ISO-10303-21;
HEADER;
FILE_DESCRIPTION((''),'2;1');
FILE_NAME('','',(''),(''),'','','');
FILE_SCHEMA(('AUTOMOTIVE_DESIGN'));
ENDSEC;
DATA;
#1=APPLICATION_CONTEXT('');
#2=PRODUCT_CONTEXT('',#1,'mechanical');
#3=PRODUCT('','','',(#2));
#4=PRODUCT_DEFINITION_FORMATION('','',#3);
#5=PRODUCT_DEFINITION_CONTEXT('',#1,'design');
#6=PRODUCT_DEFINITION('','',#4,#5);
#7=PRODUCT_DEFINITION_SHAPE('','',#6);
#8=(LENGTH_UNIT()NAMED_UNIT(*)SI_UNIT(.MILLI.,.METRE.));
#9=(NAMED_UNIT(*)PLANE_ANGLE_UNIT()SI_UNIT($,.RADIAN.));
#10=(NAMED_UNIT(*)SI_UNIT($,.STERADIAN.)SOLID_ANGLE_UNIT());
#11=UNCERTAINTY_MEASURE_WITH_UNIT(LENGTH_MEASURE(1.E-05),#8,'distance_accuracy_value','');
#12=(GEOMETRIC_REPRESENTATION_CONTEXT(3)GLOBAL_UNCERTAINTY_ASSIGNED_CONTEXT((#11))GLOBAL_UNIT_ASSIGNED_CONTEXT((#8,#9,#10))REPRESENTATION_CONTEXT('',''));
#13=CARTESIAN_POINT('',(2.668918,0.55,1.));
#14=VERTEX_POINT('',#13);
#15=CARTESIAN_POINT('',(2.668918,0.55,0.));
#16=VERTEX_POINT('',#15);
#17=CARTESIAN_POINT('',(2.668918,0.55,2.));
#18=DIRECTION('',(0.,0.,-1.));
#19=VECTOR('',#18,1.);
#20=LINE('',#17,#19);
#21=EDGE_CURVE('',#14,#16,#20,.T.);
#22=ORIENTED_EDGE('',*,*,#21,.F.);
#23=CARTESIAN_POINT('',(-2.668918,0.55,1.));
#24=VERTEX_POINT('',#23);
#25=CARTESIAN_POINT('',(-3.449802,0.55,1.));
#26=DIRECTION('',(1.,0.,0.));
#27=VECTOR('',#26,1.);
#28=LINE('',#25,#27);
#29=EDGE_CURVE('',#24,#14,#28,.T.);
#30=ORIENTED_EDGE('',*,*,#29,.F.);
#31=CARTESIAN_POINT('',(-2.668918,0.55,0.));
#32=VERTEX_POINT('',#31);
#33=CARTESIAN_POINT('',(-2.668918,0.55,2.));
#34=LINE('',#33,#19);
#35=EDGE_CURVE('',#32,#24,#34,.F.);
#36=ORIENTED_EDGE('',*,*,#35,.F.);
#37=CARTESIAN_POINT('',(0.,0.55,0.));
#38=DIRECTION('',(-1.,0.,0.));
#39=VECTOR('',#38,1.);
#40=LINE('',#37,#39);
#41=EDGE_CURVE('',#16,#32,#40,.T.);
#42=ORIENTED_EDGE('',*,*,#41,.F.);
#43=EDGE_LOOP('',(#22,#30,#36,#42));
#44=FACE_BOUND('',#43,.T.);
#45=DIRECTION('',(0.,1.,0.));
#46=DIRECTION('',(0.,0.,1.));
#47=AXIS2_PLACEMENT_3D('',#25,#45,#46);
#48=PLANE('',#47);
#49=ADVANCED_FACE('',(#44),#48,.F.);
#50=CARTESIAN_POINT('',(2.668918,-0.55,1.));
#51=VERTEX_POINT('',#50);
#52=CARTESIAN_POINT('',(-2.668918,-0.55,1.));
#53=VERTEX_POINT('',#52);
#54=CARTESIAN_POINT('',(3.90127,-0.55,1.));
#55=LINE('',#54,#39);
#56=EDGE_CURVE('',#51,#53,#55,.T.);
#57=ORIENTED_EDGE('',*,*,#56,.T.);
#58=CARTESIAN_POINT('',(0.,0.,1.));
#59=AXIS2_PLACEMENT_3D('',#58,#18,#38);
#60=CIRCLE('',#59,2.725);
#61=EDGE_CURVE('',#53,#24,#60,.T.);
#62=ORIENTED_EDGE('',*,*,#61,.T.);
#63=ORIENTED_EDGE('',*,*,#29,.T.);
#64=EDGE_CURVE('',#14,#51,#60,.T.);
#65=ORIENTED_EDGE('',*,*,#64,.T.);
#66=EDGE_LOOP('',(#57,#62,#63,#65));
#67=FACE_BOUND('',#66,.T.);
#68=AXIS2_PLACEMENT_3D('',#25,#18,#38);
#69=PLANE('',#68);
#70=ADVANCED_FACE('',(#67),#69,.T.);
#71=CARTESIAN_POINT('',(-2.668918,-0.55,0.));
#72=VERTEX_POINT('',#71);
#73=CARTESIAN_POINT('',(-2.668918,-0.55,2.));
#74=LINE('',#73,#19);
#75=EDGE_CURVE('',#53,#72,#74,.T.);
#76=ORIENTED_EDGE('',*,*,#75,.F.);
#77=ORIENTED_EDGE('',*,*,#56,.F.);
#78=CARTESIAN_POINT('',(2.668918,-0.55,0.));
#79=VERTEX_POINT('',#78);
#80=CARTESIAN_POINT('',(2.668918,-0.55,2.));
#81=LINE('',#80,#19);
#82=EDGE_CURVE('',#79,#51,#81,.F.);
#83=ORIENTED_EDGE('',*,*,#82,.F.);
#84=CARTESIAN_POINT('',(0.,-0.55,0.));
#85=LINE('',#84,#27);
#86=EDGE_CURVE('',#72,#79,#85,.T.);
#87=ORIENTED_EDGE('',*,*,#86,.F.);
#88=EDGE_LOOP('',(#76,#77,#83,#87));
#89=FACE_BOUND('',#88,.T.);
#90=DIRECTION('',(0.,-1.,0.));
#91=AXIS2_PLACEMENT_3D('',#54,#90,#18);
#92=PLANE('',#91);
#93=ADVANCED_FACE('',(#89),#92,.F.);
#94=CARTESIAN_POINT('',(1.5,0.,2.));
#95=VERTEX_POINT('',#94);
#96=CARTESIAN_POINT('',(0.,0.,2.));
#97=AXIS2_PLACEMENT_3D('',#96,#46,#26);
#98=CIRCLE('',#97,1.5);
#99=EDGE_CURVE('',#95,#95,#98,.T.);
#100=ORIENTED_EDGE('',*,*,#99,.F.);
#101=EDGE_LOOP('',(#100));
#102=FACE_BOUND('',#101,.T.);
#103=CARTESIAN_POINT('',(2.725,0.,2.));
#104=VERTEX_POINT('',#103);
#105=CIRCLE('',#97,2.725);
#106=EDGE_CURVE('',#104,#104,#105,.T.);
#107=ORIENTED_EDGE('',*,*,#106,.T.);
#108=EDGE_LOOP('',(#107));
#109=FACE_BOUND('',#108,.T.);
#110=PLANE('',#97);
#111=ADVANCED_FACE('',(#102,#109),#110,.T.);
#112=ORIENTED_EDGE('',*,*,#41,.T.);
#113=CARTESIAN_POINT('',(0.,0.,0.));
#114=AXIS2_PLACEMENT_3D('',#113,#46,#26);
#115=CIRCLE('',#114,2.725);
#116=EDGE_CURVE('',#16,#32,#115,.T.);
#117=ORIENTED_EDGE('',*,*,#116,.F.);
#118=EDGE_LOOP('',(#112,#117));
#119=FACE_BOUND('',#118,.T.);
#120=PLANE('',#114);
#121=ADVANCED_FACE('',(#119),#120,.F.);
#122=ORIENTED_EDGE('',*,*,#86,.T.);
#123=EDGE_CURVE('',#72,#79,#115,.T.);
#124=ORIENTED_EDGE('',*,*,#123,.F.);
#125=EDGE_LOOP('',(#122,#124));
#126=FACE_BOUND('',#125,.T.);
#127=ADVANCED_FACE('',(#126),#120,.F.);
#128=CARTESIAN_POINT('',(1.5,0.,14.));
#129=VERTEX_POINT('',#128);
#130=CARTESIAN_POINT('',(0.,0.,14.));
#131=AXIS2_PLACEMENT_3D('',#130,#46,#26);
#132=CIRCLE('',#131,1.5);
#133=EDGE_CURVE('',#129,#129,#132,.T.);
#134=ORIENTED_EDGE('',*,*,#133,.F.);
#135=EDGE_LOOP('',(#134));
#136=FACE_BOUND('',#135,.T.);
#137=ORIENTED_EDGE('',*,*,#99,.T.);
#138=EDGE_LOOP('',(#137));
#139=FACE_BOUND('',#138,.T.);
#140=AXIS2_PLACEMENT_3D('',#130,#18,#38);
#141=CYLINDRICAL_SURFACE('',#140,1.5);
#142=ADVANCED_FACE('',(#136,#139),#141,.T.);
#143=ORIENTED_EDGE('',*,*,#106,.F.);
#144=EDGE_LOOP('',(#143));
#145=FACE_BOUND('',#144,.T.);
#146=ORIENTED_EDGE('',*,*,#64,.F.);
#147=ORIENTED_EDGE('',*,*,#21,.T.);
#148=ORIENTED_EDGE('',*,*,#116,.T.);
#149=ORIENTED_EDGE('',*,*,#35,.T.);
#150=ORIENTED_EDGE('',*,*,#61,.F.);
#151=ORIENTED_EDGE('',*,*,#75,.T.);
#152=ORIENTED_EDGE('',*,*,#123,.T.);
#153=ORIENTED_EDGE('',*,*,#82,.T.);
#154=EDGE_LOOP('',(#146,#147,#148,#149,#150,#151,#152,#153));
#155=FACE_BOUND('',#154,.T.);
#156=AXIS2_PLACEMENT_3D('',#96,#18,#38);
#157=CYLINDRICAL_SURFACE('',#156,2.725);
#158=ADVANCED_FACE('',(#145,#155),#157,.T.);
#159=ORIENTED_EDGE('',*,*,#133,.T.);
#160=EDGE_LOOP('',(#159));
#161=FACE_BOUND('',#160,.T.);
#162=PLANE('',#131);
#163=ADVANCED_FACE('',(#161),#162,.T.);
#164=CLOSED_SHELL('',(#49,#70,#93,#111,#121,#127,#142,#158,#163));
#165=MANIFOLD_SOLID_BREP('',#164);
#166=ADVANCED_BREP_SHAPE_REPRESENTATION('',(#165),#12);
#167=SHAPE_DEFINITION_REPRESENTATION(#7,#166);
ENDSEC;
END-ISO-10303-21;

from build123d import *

# Parameters (mm, degrees)
SKETCH1_R          = 2.725
EXTRUDE1_DEPTH     = 2
CUT_EXTRUDE1_DEPTH = 1
SKETCH3_R          = 1.5
EXTRUDE2_DEPTH     = 12


with BuildPart() as part:
    # Sketch1 → Extrude1 (new body)
    with BuildSketch(Plane.XY):
        Circle(SKETCH1_R)
    extrude(amount=EXTRUDE1_DEPTH)

    # Sketch2 → Cut-Extrude1 (cut)
    with BuildSketch(Plane(origin=(0, 0, 0), x_dir=(-1, 0, 0), z_dir=(0, 0, -1))):
        Polygon((3.449801909, 0), (3.449801909, 0.55), (-3.901269584, 0.55), (-3.901269584, -0.55), (3.449801909, -0.55), align=None)
    extrude(amount=-CUT_EXTRUDE1_DEPTH, mode=Mode.SUBTRACT)

    # Sketch3 → Extrude2 (add)
    with BuildSketch(Plane.XY.offset(2)):
        Circle(SKETCH3_R)
    extrude(amount=EXTRUDE2_DEPTH)


solid = part.part
